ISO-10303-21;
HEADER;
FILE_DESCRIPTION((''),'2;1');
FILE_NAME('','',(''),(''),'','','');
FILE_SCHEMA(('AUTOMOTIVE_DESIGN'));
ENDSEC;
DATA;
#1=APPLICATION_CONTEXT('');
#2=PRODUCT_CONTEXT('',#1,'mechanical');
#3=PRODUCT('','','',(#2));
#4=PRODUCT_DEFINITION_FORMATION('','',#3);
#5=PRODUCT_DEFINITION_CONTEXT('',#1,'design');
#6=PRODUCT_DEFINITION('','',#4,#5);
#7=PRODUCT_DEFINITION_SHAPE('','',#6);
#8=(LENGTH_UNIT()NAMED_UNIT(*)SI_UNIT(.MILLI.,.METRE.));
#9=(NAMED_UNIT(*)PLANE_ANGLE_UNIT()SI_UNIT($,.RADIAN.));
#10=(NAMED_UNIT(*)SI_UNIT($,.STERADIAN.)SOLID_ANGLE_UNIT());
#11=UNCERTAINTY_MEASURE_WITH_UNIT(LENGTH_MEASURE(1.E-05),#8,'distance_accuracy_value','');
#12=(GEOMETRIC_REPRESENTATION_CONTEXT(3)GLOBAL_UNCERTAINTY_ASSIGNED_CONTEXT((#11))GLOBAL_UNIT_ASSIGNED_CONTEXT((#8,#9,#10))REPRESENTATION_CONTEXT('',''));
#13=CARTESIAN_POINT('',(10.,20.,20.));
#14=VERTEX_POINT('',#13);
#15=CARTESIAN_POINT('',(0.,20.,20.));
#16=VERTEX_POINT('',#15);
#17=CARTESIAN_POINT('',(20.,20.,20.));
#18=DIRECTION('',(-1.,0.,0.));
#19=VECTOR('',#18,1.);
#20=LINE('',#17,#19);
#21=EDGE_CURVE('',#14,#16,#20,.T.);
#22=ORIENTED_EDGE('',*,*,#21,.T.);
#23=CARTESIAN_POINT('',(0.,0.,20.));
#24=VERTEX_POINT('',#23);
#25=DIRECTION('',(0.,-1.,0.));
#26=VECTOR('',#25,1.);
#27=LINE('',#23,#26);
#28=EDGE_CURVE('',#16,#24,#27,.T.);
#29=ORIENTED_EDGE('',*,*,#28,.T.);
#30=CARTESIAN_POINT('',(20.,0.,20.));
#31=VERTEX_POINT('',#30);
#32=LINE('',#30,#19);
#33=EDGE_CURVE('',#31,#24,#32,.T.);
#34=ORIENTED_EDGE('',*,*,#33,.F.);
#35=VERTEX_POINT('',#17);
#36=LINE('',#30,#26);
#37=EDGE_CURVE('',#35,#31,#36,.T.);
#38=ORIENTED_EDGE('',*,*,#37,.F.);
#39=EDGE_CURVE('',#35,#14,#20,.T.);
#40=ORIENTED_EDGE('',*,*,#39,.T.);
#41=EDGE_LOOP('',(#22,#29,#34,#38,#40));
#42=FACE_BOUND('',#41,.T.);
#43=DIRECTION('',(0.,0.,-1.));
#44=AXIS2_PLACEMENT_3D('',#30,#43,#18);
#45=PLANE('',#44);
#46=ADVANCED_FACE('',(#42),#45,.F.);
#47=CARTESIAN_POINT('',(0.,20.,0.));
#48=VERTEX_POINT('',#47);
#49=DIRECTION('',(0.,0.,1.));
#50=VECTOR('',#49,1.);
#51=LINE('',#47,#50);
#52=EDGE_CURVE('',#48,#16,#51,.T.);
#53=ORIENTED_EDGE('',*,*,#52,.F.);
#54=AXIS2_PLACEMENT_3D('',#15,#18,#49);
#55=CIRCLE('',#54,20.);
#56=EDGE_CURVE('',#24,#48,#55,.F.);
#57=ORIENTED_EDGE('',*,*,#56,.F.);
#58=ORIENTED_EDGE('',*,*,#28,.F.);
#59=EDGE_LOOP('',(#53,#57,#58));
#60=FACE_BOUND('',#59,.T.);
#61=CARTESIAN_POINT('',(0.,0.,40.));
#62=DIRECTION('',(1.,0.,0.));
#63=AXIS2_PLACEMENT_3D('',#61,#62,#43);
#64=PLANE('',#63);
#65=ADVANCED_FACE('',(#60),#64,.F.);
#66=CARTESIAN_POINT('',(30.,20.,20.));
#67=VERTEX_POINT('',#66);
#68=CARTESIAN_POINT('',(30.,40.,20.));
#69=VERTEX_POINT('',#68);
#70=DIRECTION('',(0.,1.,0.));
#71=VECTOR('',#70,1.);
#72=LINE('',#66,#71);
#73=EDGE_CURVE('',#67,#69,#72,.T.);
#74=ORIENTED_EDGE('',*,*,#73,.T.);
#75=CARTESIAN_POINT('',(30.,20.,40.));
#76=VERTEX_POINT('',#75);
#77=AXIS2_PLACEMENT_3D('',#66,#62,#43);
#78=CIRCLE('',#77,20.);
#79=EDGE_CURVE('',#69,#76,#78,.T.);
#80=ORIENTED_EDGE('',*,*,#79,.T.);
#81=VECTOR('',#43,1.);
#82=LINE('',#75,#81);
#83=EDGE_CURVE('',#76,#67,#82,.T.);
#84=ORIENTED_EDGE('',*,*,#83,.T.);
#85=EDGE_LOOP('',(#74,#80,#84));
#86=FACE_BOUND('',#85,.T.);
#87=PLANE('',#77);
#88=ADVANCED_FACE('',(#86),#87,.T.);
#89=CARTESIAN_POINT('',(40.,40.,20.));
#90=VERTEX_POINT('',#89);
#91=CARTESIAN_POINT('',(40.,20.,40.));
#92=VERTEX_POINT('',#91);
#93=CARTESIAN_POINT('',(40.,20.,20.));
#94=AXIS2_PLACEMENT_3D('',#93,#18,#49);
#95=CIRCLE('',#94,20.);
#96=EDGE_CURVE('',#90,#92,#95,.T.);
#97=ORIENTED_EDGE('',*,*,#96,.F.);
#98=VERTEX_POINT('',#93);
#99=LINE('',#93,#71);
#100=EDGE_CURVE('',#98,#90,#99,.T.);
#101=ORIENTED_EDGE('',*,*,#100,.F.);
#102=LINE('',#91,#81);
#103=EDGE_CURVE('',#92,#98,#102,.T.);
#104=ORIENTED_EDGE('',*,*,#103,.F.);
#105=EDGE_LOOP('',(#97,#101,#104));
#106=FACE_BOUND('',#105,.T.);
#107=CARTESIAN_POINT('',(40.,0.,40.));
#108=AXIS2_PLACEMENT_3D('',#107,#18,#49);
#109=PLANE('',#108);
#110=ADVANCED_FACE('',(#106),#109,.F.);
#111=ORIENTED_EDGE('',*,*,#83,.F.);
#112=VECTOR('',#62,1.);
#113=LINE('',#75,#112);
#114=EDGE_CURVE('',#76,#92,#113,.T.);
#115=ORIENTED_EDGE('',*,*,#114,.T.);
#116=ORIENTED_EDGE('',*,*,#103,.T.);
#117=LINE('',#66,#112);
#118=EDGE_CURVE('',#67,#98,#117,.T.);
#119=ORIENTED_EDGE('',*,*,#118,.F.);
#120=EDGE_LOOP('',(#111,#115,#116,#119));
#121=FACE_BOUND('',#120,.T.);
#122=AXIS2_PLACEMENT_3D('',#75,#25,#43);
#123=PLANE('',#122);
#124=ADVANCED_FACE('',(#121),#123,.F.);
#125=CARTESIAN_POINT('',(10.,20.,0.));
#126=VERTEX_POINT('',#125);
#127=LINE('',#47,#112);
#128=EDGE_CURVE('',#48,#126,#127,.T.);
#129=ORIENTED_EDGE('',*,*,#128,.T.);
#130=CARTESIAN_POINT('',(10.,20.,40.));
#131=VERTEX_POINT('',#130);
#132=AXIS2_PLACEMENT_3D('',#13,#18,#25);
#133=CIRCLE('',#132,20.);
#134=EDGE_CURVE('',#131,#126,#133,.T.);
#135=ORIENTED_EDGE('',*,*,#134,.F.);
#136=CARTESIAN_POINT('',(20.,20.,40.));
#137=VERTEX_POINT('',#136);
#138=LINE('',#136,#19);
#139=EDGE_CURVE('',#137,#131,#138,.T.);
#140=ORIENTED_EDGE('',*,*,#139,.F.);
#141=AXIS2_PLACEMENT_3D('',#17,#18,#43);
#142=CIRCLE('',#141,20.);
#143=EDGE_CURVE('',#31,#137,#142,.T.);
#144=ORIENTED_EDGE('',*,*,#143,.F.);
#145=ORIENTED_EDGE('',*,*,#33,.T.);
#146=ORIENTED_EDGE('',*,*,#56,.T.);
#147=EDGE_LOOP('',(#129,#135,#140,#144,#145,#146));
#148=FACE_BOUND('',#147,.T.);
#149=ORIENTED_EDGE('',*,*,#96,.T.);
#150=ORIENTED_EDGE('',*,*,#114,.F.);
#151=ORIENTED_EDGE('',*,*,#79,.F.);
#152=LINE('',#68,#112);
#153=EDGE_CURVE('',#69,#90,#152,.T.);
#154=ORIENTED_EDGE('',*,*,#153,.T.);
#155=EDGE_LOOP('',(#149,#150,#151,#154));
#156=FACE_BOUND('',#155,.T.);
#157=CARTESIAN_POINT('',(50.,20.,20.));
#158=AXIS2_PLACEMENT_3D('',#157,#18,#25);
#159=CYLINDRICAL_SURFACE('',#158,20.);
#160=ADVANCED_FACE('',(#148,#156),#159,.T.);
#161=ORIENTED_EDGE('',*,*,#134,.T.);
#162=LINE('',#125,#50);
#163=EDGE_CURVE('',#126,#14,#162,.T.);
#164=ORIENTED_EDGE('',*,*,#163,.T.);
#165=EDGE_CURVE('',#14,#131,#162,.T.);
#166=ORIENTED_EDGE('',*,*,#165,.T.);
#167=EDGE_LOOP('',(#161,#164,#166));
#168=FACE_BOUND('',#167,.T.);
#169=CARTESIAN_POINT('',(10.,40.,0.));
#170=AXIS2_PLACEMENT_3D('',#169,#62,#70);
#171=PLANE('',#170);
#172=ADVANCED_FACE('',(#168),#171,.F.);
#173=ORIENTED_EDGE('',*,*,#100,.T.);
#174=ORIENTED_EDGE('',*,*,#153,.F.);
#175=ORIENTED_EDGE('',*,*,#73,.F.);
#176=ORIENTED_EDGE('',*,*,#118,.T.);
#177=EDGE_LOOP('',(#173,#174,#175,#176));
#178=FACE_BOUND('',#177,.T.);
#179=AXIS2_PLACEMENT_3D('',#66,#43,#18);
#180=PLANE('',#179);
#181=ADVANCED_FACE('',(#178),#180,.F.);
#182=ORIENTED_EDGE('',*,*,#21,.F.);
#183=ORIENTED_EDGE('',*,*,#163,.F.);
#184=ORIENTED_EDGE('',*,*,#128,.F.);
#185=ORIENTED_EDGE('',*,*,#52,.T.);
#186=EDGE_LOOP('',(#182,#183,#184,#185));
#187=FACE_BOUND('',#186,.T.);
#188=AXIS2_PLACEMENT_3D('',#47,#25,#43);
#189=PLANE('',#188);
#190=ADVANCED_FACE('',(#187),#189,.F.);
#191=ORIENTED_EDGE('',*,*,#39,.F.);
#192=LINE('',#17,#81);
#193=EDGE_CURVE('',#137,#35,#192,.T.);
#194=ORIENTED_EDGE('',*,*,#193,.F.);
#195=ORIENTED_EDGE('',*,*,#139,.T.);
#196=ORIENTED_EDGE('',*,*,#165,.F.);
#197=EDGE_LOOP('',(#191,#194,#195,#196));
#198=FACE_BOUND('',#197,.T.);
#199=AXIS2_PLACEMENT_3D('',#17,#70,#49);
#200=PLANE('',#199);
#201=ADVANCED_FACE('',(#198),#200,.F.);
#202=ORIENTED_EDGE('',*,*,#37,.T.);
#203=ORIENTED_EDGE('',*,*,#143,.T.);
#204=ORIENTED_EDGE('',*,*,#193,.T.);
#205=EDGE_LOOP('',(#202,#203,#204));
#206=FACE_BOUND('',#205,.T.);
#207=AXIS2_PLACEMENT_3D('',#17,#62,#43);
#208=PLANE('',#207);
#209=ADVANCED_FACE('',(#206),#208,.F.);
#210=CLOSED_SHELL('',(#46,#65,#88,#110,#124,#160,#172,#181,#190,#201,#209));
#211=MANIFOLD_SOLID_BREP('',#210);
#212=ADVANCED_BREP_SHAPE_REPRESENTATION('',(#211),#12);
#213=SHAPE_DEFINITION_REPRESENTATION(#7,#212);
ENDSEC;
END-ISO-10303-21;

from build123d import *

# Parameters (mm, degrees)
SKETCH1_W           = 40
SKETCH1_H           = 40
BOSS_EXTRUDE1_DEPTH = 40
SKETCH2_W           = 10
SKETCH2_H           = 20
CUT_EXTRUDE1_DEPTH  = 40
CUT_EXTRUDE2_DEPTH  = 40
CUT_EXTRUDE3_DEPTH  = 40
CUT_EXTRUDE4_DEPTH  = 10
CUT_EXTRUDE5_DEPTH  = 20


with BuildPart() as part:
    # Sketch1 → Boss-Extrude1 (new body)
    with BuildSketch(Plane.XY):
        with Locations((20, 20)):
            Rectangle(SKETCH1_W, SKETCH1_H)
    extrude(amount=BOSS_EXTRUDE1_DEPTH)

    # Sketch2 → Cut-Extrude1 (cut)
    with BuildSketch(Plane.XY.offset(40)):
        with Locations((5, 30)):
            Rectangle(SKETCH2_W, SKETCH2_H)
    extrude(amount=-CUT_EXTRUDE1_DEPTH, mode=Mode.SUBTRACT)

    # Sketch3 → Cut-Extrude2 (cut)
    with BuildSketch(Plane.ZY.offset(-10)):
        with BuildLine():
            Line((40, 40), (20, 40))
            ThreePointArc((20, 40), (34.142135624, 34.142135624), (40, 20))
            Line((40, 20), (40, 40))
        make_face()
        with BuildLine():
            Line((0, 40), (0, 20))
            ThreePointArc((0, 20), (5.857864376, 34.142135624), (20, 40))
            Line((20, 40), (0, 40))
        make_face()
    extrude(amount=-CUT_EXTRUDE2_DEPTH, mode=Mode.SUBTRACT)

    # Sketch4 → Cut-Extrude3 (cut)
    with BuildSketch(Plane.ZY):
        with BuildLine():
            ThreePointArc((20, 0), (5.857864376, 5.857864376), (0, 20))
            Line((0, 20), (0, 0))
            Line((0, 0), (20, 0))
        make_face()
        with BuildLine():
            ThreePointArc((40, 20), (34.142135624, 5.857864376), (20, 0))
            Line((20, 0), (40, 0))
            Line((40, 0), (40, 20))
        make_face()
    extrude(amount=-CUT_EXTRUDE3_DEPTH, mode=Mode.SUBTRACT)

    # Sketch5 → Cut-Extrude4 (cut)
    with BuildSketch(Plane(origin=(40, 0, 0), x_dir=(0, 0, -1), z_dir=(1, 0, 0))):
        with BuildLine():
            Line((-40, 20), (-20, 20))
            Line((-20, 20), (-20, 40))
            ThreePointArc((-20, 40), (-34.142135624, 34.142135624), (-40, 20))
        make_face()
    extrude(amount=-CUT_EXTRUDE4_DEPTH, mode=Mode.SUBTRACT)

    # Sketch6 → Cut-Extrude5 (cut)
    with BuildSketch(Plane.ZY):
        with BuildLine():
            Line((20, 0), (20, 20))
            Line((20, 20), (40, 20))
            ThreePointArc((40, 20), (34.142135624, 5.857864376), (20, 0))
        make_face()
    extrude(amount=-CUT_EXTRUDE5_DEPTH, mode=Mode.SUBTRACT)


solid = part.part
